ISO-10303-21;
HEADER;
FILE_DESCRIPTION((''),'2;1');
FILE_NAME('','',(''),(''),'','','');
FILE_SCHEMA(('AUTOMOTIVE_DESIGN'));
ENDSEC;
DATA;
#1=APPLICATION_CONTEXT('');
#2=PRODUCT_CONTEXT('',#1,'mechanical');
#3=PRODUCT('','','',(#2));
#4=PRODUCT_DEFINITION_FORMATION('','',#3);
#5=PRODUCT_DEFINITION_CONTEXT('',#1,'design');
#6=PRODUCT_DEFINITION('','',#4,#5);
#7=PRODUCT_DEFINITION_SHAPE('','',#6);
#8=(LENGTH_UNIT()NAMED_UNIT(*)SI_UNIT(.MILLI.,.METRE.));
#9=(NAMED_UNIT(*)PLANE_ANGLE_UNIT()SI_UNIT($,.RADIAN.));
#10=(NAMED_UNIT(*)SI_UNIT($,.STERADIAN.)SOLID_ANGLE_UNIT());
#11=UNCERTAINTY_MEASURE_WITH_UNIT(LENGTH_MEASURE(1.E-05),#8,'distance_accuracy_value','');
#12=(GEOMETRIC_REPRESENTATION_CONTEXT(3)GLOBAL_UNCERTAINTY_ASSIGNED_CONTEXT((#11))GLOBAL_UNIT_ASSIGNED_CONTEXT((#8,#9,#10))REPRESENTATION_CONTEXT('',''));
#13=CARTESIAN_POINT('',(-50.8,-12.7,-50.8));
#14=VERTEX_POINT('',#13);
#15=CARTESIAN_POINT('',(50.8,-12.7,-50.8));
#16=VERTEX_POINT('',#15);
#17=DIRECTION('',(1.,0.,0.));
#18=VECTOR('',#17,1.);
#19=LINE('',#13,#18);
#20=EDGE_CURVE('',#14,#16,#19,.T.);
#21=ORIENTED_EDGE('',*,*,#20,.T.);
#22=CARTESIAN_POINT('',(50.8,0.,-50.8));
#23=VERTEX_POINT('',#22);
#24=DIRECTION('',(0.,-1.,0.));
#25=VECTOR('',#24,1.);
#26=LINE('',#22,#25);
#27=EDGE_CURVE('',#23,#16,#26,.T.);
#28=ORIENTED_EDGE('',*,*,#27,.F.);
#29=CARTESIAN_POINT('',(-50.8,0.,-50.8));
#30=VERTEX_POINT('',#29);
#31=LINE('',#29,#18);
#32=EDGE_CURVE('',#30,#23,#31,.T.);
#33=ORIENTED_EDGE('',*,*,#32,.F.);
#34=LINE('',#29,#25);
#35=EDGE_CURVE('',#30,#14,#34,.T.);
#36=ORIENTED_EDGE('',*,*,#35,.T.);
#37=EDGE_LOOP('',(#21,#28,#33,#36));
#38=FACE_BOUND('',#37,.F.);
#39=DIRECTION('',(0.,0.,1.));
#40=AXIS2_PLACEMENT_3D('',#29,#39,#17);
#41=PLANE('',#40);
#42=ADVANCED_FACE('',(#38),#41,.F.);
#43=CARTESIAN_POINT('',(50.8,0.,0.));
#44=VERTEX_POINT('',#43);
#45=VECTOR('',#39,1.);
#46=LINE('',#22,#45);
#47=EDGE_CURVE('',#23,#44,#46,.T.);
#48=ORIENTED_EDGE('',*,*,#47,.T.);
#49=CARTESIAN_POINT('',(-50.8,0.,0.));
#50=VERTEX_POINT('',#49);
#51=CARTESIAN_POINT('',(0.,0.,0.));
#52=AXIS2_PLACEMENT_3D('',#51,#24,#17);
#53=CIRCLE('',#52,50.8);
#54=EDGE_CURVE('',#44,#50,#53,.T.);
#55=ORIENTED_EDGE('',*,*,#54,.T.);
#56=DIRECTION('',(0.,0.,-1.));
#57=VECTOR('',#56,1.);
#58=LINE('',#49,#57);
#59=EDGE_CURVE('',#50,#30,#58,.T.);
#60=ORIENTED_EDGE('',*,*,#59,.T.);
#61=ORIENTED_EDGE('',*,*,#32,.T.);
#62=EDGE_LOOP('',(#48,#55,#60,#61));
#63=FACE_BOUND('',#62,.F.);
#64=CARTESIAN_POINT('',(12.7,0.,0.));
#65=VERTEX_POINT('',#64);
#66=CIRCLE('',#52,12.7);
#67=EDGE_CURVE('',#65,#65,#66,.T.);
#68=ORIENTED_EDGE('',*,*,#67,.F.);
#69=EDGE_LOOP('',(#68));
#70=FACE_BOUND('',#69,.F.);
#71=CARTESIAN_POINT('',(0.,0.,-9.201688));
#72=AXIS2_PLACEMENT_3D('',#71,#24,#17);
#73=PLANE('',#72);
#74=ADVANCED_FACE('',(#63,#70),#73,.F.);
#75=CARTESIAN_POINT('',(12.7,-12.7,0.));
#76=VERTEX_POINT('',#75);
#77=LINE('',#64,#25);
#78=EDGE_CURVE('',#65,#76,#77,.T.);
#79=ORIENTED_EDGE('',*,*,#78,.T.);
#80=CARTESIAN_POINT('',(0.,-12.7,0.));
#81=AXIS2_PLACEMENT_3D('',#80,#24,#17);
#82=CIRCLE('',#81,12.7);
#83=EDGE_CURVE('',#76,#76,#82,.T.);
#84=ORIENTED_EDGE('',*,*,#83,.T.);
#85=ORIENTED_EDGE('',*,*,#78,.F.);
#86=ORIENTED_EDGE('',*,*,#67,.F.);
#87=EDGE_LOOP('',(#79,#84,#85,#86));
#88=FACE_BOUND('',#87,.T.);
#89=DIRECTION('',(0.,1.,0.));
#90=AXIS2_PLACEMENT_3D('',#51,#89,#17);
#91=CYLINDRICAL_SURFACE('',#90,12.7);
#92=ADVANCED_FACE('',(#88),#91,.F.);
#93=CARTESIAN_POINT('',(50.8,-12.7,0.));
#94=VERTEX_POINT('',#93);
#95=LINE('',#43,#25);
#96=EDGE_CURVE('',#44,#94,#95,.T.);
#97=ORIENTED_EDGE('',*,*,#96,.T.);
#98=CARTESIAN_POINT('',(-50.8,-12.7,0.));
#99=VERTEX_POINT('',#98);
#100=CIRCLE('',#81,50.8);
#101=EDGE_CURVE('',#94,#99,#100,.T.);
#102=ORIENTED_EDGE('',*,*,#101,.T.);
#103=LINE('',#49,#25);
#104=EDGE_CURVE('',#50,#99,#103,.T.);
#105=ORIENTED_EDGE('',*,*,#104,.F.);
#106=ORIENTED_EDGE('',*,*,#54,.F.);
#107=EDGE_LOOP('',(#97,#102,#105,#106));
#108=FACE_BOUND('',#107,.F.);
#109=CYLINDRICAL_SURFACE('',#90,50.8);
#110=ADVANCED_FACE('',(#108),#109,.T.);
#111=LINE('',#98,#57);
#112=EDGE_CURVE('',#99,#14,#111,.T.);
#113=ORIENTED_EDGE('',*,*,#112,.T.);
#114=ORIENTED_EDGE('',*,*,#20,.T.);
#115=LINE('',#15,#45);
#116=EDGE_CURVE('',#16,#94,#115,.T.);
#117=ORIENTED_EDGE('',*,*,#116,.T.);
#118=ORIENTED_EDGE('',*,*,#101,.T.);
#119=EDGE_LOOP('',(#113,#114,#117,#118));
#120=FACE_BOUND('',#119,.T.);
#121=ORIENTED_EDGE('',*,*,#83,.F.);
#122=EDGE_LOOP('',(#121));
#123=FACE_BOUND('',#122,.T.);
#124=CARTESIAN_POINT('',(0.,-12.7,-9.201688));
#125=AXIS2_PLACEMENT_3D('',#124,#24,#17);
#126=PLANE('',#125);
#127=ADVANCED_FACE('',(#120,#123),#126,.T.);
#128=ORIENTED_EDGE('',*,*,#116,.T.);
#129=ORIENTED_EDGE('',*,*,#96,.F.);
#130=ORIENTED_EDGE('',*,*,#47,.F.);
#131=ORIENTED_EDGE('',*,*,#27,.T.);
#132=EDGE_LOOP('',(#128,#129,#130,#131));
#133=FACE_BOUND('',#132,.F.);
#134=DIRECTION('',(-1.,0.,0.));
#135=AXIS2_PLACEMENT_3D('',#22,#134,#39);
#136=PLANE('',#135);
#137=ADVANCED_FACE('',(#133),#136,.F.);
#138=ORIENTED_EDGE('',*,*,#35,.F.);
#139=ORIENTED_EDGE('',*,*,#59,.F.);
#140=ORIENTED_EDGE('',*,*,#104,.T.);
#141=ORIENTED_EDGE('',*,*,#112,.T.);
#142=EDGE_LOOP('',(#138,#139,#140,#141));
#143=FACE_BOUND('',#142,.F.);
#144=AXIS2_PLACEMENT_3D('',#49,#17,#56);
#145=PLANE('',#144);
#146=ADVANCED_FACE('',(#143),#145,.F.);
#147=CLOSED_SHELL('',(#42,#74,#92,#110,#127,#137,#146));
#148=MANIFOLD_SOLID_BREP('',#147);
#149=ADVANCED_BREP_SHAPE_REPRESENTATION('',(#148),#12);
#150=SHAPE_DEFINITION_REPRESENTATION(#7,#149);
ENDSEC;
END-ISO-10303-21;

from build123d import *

# Parameters (mm, degrees)
F0_R     = 12.7
F1_DEPTH = 12.7


with BuildPart() as f1:
    # F0 (on Front) → F1 (new body)
    with BuildSketch(Plane.XZ):
        with BuildLine():
            ThreePointArc((50.8, 0), (0, 50.8), (-50.8, 0))
            Line((-50.8, 0), (-50.8, -50.8))
            Line((-50.8, -50.8), (50.8, -50.8))
            Line((50.8, -50.8), (50.8, 0))
        make_face()
        Circle(F0_R, mode=Mode.SUBTRACT)
    extrude(amount=F1_DEPTH)


solid = f1.part
